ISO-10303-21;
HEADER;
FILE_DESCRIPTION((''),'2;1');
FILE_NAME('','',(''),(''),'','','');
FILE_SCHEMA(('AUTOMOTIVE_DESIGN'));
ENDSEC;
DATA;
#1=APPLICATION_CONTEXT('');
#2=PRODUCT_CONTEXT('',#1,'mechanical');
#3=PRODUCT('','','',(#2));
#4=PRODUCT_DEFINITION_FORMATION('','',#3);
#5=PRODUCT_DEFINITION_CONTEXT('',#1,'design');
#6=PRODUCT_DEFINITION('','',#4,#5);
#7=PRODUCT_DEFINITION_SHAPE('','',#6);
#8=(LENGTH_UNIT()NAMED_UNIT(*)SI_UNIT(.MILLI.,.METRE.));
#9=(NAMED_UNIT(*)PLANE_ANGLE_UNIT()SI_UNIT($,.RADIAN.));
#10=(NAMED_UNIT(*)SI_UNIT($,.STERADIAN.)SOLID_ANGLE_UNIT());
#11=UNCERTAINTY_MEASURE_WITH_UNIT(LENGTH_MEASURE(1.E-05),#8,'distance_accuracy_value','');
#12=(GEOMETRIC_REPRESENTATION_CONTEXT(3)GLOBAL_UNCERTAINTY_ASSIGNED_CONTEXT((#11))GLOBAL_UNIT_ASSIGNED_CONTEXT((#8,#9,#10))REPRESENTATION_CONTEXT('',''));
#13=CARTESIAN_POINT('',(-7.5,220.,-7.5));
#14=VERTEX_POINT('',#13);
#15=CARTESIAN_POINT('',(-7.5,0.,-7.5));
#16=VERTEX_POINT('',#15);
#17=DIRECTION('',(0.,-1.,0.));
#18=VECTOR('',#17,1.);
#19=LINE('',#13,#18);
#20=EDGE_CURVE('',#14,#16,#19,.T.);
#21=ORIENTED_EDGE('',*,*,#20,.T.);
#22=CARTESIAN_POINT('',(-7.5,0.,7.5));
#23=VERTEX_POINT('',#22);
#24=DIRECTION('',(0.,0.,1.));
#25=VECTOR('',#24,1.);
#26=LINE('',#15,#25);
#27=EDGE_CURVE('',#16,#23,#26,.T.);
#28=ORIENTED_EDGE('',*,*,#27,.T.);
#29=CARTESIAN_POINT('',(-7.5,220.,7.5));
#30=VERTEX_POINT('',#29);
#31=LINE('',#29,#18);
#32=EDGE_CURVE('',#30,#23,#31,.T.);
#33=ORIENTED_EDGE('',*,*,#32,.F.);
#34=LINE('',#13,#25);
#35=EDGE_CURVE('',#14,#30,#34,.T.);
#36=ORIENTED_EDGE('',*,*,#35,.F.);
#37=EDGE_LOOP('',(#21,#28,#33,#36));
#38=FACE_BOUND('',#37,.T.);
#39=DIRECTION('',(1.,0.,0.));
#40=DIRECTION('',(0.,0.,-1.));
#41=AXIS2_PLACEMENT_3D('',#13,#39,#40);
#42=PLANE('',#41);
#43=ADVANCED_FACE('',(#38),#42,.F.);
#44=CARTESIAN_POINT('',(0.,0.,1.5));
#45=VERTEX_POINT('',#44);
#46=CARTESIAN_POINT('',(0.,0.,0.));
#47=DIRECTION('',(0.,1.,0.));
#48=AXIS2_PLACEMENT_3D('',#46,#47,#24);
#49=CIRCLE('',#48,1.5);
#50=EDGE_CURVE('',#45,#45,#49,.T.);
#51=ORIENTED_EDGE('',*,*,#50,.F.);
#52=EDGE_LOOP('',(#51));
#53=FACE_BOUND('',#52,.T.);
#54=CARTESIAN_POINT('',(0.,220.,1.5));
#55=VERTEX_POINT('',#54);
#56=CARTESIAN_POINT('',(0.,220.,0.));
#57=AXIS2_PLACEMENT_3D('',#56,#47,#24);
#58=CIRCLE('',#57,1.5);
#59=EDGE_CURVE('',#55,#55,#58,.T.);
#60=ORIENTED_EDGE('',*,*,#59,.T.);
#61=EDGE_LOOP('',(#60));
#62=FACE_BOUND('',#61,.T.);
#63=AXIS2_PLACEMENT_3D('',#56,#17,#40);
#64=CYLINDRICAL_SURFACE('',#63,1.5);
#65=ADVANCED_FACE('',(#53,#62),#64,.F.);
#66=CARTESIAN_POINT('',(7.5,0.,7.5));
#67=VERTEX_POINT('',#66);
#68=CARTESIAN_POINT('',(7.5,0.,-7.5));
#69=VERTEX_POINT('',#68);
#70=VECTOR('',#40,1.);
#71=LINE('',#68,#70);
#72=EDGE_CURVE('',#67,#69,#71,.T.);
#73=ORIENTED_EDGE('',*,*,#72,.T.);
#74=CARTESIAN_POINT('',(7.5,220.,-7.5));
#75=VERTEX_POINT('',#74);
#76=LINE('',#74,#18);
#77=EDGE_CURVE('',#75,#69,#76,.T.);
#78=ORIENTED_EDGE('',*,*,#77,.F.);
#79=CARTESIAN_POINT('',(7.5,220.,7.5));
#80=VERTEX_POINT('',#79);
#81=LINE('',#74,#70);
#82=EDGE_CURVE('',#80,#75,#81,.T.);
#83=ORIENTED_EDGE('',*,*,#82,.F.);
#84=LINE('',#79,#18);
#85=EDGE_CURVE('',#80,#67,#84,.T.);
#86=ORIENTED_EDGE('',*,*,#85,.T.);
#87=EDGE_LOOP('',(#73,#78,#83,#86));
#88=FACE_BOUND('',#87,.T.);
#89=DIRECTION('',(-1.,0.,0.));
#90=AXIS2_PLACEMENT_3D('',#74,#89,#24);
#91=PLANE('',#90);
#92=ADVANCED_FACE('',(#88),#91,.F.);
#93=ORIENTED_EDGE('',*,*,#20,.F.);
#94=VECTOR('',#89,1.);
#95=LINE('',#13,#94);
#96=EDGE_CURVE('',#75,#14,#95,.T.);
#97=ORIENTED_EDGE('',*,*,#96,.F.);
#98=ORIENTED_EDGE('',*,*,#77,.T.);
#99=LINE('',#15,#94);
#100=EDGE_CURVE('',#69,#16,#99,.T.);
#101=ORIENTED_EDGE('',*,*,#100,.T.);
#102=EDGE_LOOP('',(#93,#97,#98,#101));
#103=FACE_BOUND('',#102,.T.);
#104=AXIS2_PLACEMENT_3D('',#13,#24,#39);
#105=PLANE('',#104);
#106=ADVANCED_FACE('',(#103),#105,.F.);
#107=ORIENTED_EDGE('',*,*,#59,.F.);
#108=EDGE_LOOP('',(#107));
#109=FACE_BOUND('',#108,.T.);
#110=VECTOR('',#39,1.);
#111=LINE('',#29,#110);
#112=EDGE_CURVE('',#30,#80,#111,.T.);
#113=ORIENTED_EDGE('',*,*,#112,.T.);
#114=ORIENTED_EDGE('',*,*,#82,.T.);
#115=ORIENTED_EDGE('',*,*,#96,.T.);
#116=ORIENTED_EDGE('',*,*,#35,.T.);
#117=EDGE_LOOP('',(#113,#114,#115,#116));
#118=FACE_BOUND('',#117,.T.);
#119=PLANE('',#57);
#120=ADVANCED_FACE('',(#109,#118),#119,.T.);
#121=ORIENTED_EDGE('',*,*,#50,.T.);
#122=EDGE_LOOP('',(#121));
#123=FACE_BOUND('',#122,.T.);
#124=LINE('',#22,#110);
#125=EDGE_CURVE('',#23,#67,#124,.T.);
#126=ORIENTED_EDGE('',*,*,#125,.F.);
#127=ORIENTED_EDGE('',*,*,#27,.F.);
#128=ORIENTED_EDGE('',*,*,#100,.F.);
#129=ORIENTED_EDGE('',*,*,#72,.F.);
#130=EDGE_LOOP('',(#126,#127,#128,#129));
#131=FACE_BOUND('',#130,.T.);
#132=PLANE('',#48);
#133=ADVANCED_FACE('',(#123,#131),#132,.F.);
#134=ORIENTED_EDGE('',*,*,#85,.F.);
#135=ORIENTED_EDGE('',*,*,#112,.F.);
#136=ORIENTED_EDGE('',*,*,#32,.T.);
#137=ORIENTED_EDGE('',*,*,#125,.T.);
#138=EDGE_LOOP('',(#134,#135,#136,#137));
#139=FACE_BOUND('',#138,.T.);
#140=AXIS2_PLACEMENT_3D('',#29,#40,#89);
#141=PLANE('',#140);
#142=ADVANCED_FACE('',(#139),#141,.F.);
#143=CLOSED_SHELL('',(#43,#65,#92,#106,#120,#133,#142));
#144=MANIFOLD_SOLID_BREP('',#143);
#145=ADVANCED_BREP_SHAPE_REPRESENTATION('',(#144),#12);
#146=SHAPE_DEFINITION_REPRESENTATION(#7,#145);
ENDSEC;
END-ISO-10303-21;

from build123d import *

# Parameters (mm, degrees)
SKETCH1_W           = 15
SKETCH1_H           = 15
SKETCH1_R           = 1.5
BOSS_EXTRUDE1_DEPTH = 220


with BuildPart() as part:
    # Sketch1 → Boss-Extrude1 (new body)
    with BuildSketch(Plane(origin=(0, 0, 0), x_dir=(1, 0, 0), z_dir=(0, 1, 0))):
        Rectangle(SKETCH1_W, SKETCH1_H)
        Circle(SKETCH1_R, mode=Mode.SUBTRACT)
    extrude(amount=BOSS_EXTRUDE1_DEPTH)


solid = part.part
